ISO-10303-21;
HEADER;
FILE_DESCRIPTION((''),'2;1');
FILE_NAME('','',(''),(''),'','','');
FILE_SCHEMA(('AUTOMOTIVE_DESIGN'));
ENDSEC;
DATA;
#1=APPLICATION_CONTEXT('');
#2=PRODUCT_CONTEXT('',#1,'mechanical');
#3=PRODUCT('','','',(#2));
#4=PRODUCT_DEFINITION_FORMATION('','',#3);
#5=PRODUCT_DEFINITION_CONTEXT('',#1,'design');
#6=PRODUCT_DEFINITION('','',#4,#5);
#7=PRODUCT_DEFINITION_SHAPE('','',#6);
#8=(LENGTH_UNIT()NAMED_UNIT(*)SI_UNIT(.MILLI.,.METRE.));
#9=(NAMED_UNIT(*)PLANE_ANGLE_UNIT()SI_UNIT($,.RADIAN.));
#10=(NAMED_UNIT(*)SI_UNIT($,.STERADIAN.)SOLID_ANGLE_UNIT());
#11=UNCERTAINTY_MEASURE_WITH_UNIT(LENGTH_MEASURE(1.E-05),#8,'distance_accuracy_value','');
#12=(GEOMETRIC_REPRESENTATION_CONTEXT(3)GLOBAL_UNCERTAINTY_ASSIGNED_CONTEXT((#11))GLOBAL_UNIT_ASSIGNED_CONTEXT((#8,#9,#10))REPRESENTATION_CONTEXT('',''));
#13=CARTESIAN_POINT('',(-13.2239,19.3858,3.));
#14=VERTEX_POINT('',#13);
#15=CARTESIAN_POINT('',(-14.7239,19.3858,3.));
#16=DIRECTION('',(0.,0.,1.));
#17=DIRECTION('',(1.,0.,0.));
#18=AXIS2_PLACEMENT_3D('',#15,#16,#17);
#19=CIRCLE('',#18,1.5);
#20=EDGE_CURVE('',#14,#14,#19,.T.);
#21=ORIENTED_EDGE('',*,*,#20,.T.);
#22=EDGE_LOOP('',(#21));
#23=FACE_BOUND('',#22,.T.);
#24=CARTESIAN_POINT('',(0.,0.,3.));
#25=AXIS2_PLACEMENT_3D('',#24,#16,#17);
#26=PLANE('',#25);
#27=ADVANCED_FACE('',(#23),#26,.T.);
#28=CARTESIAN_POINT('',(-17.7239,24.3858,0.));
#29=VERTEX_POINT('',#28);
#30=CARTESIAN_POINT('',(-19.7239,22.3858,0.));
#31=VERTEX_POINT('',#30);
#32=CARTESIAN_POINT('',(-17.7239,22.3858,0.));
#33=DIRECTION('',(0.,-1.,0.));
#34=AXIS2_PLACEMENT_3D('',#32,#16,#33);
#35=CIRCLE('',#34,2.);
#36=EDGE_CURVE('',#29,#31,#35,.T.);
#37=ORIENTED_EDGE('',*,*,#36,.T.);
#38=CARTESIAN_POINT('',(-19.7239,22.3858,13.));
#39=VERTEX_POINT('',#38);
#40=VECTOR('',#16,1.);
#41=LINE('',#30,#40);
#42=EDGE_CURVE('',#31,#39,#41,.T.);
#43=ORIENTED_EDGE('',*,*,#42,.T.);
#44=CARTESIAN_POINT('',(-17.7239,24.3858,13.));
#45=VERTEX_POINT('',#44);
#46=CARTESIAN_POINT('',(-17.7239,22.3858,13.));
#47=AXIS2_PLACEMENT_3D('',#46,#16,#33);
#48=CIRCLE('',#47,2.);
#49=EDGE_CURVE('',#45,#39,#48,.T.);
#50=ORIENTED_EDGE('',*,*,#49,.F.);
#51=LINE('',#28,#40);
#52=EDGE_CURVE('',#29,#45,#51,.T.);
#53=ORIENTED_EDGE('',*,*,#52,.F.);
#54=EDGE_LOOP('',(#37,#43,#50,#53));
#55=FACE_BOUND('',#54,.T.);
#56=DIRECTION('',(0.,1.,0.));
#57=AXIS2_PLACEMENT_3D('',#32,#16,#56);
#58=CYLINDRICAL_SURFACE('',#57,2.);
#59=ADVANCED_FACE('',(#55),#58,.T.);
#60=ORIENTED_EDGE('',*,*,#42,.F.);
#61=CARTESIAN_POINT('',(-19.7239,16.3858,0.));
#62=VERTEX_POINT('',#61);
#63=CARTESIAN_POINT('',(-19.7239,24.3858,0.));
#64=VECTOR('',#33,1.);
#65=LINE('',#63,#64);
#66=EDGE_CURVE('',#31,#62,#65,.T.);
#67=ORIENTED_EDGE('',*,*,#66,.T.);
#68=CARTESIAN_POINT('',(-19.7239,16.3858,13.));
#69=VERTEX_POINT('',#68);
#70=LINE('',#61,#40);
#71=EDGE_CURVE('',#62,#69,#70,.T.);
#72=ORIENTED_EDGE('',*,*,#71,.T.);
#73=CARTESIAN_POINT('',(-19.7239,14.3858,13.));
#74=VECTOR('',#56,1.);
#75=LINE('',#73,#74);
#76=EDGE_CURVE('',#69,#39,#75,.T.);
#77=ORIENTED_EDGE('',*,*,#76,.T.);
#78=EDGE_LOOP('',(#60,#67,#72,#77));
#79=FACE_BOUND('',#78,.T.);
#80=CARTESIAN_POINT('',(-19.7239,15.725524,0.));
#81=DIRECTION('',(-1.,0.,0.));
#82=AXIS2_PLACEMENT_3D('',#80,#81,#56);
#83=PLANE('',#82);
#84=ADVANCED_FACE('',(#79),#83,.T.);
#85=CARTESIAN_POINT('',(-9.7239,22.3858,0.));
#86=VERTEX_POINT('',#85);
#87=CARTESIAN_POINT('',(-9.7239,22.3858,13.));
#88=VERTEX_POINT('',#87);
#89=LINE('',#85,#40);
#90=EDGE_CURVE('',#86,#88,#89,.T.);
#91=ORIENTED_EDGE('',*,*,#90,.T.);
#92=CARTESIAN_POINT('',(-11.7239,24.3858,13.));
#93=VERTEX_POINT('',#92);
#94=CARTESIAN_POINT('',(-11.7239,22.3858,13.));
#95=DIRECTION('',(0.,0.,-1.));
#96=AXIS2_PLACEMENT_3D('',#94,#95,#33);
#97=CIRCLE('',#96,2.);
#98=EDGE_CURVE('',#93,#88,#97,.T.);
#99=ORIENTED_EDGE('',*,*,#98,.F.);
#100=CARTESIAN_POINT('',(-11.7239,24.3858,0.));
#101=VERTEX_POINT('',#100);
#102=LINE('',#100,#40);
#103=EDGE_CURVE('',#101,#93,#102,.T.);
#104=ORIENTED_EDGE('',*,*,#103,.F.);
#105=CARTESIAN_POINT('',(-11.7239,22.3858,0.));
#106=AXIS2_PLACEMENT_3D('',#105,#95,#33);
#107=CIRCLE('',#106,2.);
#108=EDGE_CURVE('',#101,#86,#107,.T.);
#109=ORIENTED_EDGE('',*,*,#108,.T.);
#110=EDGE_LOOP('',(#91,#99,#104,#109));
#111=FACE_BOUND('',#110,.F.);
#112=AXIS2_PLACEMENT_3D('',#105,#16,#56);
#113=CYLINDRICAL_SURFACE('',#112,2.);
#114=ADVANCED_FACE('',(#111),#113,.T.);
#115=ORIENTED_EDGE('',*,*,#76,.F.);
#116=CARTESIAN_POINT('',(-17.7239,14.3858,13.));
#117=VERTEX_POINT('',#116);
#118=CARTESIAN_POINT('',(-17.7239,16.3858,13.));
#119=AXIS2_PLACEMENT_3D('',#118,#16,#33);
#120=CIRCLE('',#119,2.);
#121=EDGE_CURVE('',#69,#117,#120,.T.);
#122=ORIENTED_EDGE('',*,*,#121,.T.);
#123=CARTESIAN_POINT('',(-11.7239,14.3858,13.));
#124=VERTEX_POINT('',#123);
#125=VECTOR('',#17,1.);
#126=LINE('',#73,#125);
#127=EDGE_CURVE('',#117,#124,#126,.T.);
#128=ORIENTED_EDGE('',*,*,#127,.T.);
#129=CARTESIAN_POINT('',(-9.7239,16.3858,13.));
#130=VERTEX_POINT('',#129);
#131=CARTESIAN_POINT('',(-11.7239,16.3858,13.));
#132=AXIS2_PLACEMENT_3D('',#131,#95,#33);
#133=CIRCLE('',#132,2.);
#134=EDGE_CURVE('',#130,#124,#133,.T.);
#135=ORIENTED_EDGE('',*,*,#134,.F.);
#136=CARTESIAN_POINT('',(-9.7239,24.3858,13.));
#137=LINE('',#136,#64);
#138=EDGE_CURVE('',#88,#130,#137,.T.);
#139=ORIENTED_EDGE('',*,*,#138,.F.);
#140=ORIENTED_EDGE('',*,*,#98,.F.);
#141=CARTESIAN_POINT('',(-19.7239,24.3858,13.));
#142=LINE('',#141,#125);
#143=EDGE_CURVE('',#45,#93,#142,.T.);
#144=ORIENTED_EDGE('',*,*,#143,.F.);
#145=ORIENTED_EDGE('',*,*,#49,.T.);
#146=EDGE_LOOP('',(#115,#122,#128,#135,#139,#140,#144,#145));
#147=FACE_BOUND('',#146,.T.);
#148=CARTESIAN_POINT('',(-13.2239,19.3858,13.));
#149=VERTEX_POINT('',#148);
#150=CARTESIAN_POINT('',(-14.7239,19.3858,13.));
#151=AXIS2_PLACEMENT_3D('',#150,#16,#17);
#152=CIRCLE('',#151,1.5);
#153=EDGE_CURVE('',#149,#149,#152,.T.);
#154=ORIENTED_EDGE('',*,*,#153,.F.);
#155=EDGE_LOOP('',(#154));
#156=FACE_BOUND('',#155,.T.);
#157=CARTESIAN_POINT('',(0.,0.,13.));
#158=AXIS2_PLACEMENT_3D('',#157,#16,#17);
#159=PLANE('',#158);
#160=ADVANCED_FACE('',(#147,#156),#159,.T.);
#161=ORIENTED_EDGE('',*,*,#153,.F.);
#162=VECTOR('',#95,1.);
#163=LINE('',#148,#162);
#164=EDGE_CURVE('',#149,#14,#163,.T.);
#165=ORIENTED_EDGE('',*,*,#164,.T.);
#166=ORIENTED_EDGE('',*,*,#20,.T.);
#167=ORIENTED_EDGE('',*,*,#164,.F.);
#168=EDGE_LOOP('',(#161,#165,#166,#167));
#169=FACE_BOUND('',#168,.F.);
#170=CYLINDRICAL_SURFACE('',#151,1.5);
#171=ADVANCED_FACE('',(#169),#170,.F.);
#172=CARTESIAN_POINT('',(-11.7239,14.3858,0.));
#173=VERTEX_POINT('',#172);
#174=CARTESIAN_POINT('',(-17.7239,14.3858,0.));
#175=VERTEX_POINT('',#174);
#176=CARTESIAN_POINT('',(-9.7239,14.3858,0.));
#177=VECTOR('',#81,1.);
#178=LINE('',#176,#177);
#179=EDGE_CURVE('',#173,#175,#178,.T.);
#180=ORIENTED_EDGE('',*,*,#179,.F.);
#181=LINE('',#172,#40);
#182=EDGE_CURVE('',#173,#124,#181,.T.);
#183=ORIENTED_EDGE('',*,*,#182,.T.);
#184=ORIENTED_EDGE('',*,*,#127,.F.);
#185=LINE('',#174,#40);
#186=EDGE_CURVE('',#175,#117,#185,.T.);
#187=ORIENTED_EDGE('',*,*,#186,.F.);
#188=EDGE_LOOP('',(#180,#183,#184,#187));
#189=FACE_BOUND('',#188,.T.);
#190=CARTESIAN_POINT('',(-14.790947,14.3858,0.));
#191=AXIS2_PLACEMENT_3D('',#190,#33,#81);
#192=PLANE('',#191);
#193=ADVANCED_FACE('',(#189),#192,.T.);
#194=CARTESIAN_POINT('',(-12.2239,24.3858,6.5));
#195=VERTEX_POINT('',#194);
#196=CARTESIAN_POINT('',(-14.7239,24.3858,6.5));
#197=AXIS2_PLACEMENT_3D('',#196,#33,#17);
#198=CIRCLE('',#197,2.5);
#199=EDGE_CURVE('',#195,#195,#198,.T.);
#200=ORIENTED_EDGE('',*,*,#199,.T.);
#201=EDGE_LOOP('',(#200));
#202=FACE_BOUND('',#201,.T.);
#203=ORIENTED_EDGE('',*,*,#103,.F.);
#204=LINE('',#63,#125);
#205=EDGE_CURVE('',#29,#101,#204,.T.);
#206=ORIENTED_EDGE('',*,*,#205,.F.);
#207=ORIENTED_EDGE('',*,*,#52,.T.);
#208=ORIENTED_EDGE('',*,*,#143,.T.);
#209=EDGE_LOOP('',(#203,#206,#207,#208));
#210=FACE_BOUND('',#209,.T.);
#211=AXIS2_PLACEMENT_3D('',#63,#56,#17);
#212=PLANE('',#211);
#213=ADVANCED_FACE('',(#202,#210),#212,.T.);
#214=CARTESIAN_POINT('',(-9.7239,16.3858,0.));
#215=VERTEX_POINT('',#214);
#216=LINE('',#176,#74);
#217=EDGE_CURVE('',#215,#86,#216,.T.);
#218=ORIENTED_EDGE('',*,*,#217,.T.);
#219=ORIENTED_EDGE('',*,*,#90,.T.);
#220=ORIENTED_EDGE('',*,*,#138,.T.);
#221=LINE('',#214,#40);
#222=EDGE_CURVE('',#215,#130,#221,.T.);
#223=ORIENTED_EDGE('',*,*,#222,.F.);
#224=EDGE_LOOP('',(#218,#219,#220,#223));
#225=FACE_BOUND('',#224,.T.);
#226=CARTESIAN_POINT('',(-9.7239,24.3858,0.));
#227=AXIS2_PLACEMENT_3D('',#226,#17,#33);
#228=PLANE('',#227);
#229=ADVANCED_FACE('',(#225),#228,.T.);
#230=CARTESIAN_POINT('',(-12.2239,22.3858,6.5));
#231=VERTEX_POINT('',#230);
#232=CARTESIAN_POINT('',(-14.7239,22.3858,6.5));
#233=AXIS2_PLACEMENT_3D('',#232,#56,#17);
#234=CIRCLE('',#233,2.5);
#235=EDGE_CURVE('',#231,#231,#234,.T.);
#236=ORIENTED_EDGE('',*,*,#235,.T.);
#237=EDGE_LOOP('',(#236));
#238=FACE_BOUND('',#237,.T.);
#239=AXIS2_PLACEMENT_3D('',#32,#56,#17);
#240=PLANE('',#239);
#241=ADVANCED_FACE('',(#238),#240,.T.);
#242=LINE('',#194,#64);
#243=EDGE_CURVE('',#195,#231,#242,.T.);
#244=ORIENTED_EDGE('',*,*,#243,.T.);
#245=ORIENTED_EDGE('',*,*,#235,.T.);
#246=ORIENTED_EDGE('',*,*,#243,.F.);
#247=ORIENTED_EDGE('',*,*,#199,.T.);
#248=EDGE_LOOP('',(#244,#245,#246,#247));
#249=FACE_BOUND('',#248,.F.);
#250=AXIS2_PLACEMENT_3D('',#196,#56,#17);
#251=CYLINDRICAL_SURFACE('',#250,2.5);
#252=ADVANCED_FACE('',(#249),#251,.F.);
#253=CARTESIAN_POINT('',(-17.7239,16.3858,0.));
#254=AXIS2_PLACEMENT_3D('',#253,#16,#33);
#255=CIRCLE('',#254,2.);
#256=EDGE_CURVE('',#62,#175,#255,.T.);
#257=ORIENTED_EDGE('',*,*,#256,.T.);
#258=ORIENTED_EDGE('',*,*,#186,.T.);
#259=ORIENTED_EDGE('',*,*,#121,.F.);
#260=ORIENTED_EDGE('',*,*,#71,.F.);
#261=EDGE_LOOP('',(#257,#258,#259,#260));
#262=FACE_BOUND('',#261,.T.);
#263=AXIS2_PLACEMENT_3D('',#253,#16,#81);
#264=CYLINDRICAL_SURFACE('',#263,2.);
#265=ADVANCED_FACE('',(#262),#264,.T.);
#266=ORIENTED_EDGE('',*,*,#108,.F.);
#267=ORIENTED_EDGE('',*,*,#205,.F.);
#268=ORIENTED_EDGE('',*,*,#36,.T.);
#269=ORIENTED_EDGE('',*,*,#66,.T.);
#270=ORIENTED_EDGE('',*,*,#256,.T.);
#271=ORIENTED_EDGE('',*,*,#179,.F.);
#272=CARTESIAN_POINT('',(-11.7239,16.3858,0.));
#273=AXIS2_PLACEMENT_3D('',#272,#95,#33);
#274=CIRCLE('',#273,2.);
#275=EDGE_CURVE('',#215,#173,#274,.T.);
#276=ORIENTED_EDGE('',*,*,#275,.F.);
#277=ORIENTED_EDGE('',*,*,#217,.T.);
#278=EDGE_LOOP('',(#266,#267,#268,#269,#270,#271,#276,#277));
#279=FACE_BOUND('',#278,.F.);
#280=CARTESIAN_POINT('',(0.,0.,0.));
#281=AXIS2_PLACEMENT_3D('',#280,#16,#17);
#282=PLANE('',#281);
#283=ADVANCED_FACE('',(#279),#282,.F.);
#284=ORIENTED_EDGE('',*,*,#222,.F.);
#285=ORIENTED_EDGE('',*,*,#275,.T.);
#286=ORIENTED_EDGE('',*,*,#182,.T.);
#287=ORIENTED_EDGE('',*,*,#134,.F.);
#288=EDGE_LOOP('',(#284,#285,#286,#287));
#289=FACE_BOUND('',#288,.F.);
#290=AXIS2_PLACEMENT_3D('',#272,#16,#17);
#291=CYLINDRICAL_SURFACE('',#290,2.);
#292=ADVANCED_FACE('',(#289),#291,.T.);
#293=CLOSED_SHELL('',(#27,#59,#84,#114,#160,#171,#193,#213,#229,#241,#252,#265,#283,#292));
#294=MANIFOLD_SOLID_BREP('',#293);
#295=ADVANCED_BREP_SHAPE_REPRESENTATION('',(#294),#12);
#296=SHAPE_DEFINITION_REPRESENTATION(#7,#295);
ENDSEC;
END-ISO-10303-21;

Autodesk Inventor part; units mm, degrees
ref_plane "YZ Plane" through (0, 0, 0) normal (1, 0, 0) x (0, 1, 0)
ref_plane "XZ Plane" through (0, 0, 0) normal (0, 1, 0) x (-1, 0, 0)
ref_plane "XY Plane" through (0, 0, 0) normal (0, 0, 1) x (1, 0, 0)
sketch "Sketch1" plane through (0, 0, 0) normal (0, 0, 1) x (1, 0, 0)
  line L0 (-19.7239, 24.3858) -> (-9.7239, 24.3858)
  line L1 (-9.7239, 24.3858) -> (-9.7239, 14.3858)
  line L2 (-9.7239, 14.3858) -> (-19.7239, 14.3858)
  line L3 (-19.7239, 14.3858) -> (-19.7239, 24.3858)
  line L4 (-19.7239, 24.3858) -> (-9.7239, 14.3858) construction
  line L5 (-9.7239, 24.3858) -> (-19.7239, 14.3858) construction
  line L6 (-7.848, 12.2173) -> (-10.7345, 12.2561) projected
  line L7 (-7.848, 12.2173) -> (-12.5422, 20.6065) projected
  arc A0 (-12.5422, 20.6065) -> (-16.9056, 18.165) centre (-14.7239, 19.3858) ccw projected
  line L8 (-16.9056, 18.165) -> (-10.8018, 7.2566) projected
  line L9 (-10.7345, 12.2561) -> (-10.8018, 7.2566) projected
  circle A1 centre (-14.7239, 19.3858) radius 1.5 projected
  circle A2 centre (-14.7239, 19.3858) radius 1.5 projected
  line L10 (-68.8088, 12.3105) -> (-68.8088, 17.3105) projected
  arc A3 (-68.8088, 17.3105) -> (-78.8088, 17.3105) centre (-73.8088, 17.3105) ccw projected
  line L11 (-78.8088, 17.3105) -> (-78.8088, -37.6895) projected
  line L12 (-78.8088, -37.6895) -> (-33.8088, -37.6895) projected
  line L13 (-33.8088, -37.6895) -> (-28.8088, -32.6895) projected
  line L14 (-28.8088, -32.6895) -> (-73.8088, -32.6895) projected
  line L15 (-73.8088, -32.6895) -> (-73.8088, 7.3105) projected
  line L16 (-73.8088, 7.3105) -> (-18.8088, 7.3105) projected
  line L17 (-18.8088, 7.3105) -> (-12.5588, 18.1358) projected
  arc A4 (-12.5588, 18.1358) -> (-16.8889, 20.6358) centre (-14.7239, 19.3858) ccw projected
  line L18 (-16.8889, 20.6358) -> (-21.6956, 12.3105) projected
  line L19 (-21.6956, 12.3105) -> (-68.8088, 12.3105) projected
  circle A5 centre (-73.8088, 17.3105) radius 2.5 projected
  dimension "d0" = 10
  dimension "d1" = 10
extrude "Extrusion1" add sketch "Sketch1" along normal blind 13 contours L0 L1 L7 A0 L18 L3 | L18 A0 L8 L2 L3 | L1 L2 L17 A4 L7 | A0 A4 L17 L2 L8 | A1
fillet "Fillet1" radius 2 4 edges at (-9.7239, 24.3858, 6.5) (-9.7239, 14.3858, 6.5) (-19.7239, 24.3858, 6.5) (-19.7239, 14.3858, 6.5)
sketch "Sketch2" plane through (0, 0, 13) normal (0, 0, 1) x (1, 0, 0)
  circle A0 centre (-14.7239, 19.3858) radius 1.5 projected
  point P0 (0, 0)
extrude "Extrusion2" cut sketch "Sketch2" against normal blind 10
sketch "Sketch3" plane through (-17.7239, 24.3858, 0) normal (0, 1, 0) x (1, 0, 0)
  line L0 (0, -13) -> (0, 0) projected
  line L1 (6, -13) -> (0, -13) projected
  line L2 (6, 0) -> (6, -13) projected
  line L3 (6, 0) -> (0, 0) projected
  line L4 (0, -13) -> (0, 0) projected
  line L5 (0, -6.5) -> (6, -6.5)
  line L6 (6, 0) -> (6, -13) projected
  circle A0 centre (3, -6.5) radius 2.5
  point P0 (17.7239, 0)
  dimension "d7" = 5
extrude "Extrusion3" cut sketch "Sketch3" against normal blind 2 contours A0 L5 | L5 A0
properties part number "Claw Connector New"
